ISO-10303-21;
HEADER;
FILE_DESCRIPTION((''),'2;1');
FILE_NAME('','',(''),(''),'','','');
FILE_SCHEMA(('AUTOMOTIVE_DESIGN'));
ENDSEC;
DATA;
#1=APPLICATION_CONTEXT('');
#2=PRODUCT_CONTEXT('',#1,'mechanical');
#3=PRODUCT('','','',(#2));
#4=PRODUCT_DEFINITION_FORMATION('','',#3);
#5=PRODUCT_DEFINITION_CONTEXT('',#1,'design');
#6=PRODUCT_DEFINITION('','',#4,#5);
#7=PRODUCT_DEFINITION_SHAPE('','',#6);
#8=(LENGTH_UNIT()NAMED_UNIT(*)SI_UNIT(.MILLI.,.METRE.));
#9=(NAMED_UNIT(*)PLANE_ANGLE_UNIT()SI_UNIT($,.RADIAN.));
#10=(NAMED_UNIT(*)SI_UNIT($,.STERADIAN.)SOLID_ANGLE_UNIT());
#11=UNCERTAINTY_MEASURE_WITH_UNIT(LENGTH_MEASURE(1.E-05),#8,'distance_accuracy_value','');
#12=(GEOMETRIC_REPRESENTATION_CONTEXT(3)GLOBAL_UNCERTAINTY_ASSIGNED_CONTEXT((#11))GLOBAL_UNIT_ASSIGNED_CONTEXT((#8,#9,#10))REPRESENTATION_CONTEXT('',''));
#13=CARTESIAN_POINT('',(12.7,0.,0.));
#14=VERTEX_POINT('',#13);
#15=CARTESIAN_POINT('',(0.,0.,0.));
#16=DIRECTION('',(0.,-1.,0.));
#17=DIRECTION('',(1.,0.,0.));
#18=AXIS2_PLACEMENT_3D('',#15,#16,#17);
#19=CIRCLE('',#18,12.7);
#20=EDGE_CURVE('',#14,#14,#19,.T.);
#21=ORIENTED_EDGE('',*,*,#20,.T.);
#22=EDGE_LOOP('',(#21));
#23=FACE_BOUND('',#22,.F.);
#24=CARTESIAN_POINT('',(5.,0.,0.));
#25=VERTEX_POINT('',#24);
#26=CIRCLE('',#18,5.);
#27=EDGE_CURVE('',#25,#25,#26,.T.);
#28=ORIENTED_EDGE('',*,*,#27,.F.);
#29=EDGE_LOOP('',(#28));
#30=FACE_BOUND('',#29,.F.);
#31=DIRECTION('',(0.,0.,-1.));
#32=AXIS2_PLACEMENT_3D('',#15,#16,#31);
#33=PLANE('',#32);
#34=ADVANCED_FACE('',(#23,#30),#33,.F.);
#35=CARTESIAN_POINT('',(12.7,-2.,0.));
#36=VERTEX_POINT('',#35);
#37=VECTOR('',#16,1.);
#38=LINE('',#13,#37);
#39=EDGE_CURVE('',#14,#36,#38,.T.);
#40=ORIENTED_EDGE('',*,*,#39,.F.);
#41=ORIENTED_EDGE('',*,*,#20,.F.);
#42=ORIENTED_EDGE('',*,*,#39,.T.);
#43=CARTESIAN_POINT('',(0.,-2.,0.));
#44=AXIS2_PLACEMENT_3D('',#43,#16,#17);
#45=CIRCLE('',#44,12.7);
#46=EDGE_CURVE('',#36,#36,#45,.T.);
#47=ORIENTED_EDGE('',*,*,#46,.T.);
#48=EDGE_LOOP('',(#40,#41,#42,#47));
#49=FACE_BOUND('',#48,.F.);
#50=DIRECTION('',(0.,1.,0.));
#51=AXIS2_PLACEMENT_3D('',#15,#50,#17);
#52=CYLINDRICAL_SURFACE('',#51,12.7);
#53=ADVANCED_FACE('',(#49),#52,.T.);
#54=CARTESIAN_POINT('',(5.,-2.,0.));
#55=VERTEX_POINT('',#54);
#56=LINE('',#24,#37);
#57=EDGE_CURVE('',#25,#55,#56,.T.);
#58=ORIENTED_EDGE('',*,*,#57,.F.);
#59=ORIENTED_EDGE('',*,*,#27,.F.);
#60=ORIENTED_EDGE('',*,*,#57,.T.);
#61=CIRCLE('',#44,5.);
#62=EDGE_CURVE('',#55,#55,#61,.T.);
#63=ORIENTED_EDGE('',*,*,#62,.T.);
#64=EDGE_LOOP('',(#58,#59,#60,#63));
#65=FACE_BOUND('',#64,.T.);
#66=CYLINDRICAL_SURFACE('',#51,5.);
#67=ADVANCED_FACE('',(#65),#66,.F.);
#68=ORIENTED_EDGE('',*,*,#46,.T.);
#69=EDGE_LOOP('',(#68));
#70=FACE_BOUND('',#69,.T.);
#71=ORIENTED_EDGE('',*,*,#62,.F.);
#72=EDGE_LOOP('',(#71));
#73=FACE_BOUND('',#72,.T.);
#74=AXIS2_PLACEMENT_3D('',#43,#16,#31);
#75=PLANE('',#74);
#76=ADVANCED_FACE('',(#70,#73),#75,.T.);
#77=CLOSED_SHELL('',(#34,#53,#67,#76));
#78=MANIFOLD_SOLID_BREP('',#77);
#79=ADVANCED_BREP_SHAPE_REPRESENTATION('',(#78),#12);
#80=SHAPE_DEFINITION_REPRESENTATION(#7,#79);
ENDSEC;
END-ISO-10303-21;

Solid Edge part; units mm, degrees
sketch "Sketch1" plane through (0, 0, 0) normal (0, -1, 0) x (1, 0, 0)
  circle A0 centre (0, 0) radius 12.7
  circle A1 centre (0, 0) radius 5
extrude "Protrusion1" add sketch "Sketch1" along normal blind 2
properties material "Steel"
